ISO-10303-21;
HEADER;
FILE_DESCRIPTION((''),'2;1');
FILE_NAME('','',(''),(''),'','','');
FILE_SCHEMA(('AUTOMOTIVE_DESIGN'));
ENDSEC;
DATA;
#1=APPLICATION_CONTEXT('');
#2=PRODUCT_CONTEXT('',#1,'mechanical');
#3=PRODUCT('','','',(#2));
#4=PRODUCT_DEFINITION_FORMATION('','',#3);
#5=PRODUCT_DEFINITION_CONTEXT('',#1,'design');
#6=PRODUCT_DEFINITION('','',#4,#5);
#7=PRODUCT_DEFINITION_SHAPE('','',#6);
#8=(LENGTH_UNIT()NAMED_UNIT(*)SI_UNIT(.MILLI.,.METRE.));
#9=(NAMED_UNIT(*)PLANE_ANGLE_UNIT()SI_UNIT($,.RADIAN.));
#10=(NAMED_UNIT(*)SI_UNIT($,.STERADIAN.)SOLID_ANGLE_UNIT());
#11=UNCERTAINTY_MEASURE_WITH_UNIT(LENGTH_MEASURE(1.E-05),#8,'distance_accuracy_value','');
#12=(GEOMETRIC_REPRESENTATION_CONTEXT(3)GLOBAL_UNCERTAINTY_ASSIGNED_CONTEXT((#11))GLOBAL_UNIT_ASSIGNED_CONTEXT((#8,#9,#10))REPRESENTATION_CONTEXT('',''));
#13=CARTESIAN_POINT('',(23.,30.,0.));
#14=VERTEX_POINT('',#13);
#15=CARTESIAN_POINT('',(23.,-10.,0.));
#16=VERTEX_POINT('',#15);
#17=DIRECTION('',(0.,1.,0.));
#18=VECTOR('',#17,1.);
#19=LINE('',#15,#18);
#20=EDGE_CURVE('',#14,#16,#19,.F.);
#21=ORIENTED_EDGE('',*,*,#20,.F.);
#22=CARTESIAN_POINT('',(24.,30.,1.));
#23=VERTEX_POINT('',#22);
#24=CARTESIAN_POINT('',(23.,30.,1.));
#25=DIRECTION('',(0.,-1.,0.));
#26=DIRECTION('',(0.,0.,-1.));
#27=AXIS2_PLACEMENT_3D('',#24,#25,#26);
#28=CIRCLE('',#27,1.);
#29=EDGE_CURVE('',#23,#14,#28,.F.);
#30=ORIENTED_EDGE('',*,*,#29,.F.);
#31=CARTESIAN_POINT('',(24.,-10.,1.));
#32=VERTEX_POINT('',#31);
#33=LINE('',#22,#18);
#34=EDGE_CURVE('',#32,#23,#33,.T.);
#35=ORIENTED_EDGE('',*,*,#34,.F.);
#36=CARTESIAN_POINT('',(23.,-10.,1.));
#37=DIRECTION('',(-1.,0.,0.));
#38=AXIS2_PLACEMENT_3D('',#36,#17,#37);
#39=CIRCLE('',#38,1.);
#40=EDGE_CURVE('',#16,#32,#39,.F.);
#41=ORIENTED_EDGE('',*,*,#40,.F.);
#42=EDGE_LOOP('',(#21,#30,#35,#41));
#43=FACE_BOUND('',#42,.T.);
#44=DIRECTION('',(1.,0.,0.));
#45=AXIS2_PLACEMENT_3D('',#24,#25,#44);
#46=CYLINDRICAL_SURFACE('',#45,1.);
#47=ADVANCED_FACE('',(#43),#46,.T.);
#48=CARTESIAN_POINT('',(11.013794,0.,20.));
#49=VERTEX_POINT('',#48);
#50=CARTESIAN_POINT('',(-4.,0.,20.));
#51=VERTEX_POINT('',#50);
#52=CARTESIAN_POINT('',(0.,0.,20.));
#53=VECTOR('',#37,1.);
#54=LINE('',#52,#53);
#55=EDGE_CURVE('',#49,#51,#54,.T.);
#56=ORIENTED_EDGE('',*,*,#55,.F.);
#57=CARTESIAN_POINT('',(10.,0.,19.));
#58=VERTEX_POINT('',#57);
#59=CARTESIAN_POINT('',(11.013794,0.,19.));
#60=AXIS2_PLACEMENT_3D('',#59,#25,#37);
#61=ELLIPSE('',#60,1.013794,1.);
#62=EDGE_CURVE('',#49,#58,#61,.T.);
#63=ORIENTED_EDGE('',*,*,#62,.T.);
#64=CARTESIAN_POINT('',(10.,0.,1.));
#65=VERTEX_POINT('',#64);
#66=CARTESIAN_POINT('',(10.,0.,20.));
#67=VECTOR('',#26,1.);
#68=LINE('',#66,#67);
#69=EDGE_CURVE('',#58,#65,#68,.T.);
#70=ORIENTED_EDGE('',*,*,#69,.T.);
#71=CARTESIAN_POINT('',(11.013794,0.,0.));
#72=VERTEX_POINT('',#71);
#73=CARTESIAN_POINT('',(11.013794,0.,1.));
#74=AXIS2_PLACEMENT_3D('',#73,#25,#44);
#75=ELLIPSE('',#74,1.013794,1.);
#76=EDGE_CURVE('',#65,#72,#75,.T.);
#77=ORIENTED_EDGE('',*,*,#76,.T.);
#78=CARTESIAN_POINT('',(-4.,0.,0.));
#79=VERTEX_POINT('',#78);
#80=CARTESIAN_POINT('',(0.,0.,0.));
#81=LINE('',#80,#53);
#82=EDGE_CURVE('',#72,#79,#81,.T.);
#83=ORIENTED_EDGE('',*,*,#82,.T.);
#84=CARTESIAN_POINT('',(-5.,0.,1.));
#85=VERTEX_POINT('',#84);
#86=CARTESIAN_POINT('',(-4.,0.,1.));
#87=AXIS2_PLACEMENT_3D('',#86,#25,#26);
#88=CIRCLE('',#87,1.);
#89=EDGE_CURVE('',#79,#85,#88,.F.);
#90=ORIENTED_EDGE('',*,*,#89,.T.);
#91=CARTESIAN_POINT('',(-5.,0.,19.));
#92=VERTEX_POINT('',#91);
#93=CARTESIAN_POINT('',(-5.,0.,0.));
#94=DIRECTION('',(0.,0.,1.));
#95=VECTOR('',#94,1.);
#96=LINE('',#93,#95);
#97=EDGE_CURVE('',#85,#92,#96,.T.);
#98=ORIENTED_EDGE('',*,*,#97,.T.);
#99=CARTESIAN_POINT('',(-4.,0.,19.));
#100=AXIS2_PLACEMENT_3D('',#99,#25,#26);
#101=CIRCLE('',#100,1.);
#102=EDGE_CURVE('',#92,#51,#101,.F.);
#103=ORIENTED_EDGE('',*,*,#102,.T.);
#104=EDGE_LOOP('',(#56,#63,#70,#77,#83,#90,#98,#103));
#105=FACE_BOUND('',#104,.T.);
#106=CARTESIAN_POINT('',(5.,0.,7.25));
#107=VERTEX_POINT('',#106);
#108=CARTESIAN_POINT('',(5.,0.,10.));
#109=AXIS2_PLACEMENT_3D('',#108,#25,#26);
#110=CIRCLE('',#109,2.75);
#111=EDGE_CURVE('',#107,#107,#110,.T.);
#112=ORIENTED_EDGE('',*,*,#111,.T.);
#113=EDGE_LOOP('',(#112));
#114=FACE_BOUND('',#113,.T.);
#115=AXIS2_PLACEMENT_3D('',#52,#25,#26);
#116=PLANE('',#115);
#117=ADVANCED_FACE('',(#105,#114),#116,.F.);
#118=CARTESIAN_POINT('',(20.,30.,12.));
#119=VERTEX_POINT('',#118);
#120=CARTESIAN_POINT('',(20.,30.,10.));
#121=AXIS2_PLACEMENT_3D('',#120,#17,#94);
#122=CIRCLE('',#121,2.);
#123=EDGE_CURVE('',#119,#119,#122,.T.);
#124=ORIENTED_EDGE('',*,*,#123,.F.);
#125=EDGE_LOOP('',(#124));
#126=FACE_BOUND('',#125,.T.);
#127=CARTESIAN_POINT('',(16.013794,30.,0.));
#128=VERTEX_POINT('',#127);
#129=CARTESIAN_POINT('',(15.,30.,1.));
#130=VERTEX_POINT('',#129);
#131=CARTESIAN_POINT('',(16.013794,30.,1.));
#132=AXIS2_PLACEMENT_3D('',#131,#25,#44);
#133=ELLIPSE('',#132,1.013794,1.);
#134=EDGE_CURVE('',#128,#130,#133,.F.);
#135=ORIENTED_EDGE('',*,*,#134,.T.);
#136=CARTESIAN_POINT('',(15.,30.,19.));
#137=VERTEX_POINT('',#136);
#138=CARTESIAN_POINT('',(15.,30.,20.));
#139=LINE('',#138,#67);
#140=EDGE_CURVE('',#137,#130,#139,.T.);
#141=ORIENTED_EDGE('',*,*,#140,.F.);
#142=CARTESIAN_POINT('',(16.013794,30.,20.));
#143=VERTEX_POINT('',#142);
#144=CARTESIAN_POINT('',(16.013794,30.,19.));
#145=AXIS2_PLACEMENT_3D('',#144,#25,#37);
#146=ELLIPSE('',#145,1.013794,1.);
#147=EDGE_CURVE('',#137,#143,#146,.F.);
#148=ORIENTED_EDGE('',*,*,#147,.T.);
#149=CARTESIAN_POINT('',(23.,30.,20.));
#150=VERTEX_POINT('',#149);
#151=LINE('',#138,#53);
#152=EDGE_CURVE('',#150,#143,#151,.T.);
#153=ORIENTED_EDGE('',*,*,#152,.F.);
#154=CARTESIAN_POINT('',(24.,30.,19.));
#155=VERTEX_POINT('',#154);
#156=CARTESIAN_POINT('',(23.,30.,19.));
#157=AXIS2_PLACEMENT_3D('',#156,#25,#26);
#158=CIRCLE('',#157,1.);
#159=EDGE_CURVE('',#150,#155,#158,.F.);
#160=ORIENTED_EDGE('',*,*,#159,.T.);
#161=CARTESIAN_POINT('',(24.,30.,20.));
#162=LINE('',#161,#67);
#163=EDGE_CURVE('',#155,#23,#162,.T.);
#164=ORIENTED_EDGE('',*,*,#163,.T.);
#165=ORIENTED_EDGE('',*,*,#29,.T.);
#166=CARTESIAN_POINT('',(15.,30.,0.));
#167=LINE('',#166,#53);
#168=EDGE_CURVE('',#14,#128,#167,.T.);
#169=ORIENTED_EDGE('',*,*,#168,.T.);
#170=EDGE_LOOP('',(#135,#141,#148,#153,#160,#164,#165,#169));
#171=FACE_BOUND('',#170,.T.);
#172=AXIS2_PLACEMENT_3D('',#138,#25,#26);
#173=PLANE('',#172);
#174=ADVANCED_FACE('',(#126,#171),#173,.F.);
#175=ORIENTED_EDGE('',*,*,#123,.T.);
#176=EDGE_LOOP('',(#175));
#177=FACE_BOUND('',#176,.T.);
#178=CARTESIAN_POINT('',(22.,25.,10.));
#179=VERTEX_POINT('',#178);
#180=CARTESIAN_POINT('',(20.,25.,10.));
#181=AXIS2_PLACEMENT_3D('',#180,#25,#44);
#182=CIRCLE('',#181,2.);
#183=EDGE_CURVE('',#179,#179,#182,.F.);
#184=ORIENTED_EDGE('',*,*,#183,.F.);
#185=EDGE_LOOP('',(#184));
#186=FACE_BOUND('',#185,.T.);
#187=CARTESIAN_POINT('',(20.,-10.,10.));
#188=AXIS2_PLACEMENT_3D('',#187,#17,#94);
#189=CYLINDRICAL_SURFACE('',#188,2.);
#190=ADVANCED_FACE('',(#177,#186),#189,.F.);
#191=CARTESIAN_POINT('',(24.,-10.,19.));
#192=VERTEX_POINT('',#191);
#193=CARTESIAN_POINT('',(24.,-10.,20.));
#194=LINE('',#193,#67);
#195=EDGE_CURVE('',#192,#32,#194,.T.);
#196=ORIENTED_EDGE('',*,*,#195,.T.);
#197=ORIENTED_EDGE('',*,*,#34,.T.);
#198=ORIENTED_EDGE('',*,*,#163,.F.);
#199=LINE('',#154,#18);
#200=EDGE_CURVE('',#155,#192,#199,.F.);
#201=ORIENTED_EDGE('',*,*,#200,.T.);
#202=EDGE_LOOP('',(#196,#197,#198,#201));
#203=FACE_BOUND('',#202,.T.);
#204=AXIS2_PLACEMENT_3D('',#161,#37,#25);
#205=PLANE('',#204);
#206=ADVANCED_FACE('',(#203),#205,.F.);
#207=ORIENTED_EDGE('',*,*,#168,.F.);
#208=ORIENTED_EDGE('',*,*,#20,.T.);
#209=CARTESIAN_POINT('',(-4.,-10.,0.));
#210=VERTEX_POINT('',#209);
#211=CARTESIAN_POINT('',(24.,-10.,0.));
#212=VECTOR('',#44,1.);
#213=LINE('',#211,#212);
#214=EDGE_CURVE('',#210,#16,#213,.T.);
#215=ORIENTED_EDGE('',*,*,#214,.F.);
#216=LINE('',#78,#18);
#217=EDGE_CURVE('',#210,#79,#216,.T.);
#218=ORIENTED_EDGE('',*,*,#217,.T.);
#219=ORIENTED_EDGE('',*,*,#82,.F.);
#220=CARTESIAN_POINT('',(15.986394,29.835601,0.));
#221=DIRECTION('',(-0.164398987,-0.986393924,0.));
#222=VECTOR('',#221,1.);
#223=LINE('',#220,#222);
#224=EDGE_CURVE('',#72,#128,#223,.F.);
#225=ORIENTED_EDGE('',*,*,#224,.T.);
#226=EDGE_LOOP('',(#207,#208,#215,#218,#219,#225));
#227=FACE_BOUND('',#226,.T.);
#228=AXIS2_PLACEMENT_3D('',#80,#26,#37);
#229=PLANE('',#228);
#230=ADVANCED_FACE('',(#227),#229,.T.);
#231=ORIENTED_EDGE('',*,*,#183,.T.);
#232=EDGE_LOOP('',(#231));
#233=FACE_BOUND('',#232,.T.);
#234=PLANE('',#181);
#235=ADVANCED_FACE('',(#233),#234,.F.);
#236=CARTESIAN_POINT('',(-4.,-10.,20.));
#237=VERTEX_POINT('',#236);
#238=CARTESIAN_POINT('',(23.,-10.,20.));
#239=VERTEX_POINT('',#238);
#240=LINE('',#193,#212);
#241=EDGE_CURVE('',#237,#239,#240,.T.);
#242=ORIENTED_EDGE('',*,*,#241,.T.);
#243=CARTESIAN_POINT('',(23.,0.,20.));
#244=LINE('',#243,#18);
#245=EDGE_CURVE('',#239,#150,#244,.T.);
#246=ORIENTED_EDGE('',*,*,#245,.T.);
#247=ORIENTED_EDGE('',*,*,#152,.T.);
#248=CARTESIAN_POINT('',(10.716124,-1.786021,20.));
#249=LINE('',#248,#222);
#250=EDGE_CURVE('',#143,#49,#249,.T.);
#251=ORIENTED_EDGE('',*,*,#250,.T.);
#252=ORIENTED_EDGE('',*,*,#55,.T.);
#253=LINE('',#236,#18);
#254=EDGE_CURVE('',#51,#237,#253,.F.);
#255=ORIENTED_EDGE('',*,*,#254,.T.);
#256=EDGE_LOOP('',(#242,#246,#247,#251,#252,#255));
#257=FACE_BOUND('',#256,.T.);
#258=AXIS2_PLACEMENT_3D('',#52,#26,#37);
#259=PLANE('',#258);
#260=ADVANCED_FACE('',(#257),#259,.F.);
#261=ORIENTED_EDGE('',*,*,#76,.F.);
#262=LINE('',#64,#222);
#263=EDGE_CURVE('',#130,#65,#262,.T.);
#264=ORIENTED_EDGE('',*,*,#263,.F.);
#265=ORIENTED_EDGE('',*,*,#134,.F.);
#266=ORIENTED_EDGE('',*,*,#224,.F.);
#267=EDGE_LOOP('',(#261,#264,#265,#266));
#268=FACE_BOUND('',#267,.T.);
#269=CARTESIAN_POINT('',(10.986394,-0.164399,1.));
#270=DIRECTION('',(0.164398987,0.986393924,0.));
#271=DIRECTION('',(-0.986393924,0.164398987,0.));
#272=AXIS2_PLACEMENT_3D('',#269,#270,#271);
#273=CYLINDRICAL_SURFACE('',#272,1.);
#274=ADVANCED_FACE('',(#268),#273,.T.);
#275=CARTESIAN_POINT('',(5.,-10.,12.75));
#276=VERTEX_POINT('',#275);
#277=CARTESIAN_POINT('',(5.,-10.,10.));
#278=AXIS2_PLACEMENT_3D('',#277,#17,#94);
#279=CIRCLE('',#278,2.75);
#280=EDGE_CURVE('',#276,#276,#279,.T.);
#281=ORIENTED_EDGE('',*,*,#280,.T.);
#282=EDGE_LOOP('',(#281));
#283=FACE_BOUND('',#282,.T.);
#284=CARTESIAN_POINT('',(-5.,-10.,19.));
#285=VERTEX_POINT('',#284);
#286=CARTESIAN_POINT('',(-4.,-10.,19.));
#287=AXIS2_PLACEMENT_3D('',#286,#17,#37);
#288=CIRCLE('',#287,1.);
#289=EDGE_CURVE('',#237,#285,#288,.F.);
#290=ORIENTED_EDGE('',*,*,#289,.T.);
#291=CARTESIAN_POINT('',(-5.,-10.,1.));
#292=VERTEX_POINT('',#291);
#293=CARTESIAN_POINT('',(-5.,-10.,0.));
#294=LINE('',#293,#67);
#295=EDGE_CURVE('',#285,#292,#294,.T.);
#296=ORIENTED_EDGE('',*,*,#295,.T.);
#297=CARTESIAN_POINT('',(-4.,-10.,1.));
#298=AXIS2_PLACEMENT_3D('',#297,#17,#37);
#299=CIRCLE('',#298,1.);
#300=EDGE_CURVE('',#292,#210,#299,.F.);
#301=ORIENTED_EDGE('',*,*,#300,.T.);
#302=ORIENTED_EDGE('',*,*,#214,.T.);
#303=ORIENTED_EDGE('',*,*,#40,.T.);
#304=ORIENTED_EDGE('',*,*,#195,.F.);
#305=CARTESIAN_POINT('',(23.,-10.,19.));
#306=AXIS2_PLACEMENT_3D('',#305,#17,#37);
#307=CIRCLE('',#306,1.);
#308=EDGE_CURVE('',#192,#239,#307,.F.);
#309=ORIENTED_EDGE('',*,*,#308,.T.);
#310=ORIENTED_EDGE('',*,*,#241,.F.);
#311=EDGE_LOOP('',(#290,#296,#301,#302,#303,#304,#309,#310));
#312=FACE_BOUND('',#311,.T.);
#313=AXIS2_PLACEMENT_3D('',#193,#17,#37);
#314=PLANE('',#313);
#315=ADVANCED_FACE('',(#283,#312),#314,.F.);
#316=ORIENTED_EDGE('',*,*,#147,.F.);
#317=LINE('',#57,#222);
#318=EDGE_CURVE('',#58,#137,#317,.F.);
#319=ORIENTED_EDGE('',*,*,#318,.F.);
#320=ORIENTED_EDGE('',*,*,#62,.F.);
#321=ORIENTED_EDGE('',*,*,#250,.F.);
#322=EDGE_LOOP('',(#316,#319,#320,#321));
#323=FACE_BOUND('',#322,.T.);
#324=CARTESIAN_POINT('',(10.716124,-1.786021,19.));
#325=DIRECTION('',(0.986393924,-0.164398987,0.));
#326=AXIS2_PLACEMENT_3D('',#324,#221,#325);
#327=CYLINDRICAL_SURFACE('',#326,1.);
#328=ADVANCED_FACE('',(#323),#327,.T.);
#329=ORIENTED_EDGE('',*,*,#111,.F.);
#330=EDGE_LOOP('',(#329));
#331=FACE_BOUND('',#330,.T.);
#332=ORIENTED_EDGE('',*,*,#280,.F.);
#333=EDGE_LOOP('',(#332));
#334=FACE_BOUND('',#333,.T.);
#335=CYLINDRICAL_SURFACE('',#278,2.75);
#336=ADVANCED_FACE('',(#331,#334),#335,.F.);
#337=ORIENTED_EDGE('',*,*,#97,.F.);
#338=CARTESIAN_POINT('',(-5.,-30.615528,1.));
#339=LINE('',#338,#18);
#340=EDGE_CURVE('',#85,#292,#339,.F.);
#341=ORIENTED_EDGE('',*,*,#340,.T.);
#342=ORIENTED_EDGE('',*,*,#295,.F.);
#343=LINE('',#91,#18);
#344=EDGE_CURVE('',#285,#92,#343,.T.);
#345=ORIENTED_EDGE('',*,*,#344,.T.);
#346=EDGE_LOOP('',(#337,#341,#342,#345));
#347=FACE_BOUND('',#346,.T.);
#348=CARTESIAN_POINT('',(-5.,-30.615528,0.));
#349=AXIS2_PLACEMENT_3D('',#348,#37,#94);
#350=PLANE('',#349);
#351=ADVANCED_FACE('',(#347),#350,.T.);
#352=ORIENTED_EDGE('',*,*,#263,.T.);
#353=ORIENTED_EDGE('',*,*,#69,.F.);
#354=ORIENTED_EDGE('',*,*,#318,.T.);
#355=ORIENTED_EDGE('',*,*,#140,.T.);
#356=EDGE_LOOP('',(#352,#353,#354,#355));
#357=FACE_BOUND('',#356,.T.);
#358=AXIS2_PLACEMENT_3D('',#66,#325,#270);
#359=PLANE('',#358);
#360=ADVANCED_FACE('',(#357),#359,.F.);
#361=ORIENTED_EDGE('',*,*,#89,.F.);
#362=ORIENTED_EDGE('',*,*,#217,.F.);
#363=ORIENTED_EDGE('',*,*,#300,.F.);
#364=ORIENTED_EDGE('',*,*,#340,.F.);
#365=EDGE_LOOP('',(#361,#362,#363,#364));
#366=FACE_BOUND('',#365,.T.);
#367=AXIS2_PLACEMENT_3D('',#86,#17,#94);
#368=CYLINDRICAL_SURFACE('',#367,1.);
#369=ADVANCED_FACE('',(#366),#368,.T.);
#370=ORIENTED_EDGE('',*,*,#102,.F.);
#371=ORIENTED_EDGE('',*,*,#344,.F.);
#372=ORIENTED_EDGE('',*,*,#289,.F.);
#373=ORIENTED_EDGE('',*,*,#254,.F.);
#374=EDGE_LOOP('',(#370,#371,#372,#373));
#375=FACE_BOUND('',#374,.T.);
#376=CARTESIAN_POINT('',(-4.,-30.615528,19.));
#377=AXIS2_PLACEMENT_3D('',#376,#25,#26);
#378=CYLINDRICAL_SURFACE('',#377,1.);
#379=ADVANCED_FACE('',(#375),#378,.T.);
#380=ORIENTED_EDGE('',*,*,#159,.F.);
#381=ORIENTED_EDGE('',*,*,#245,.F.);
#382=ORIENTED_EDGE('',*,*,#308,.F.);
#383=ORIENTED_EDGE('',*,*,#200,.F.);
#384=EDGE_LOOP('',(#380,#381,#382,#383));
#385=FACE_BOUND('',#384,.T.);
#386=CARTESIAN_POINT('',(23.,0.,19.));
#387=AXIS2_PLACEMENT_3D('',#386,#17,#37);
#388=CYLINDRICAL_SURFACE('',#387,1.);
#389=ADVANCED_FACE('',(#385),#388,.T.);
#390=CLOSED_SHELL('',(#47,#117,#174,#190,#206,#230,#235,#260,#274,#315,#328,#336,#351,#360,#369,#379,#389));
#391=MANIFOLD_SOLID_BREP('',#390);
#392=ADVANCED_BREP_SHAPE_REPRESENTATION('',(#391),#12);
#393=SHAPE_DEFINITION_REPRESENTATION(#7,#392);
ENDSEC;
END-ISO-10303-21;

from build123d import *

# Parameters (mm, degrees)
EXTRUDE_1_DEPTH     = 20
SKETCH_2_R          = 2
SKETCH_2_R_2        = 2.75
CUT_EXTRUDE_1_DEPTH = 51.754310162
EXTRUDE_START       = -35
SKETCH_3_R          = 2
EXTRUDE_2_DEPTH     = 35
SKETCH_4_W          = 5
SKETCH_4_H          = 20
EXTRUDE_3_DEPTH     = 10
FILLET_2_R          = 1


with BuildPart() as part:
    # ｽｹｯﾁ1 → ﾎﾞｽ - 押し出し1 (new body)
    with BuildSketch(Plane.XY):
        Polygon((0, 0), (10, 0), (15, 30), (24, 30), (24, -10), (0, -10), align=None)
    extrude(amount=EXTRUDE_1_DEPTH)

    # ｽｹｯﾁ2 → ｶｯﾄ - 押し出し1 (cut, through all)
    with BuildSketch(Plane(origin=(0, 30, 0), x_dir=(1, 0, 0), z_dir=(0, 1, 0))):
        with Locations(Location((20, -10, 0), (0, 0, 270))):
            Circle(SKETCH_2_R)
        with Locations(Location((5, -10, 0), (0, 0, 270))):
            Circle(SKETCH_2_R_2)
    extrude(amount=-CUT_EXTRUDE_1_DEPTH, mode=Mode.SUBTRACT)

    # ｽｹｯﾁ3 → ﾎﾞｽ - 押し出し2 (add)
    with BuildSketch(Plane.XZ.offset(10).offset(EXTRUDE_START)):
        with Locations(Location((20, 10, 0), (0, 0, 90))):
            Circle(SKETCH_3_R)
    extrude(amount=EXTRUDE_2_DEPTH)

    # ｽｹｯﾁ4 → ﾎﾞｽ - 押し出し3 (add)
    with BuildSketch(Plane(origin=(0, 0, 0), x_dir=(1, 0, 0), z_dir=(0, 1, 0))):
        with Locations((-2.5, -10)):
            Rectangle(SKETCH_4_W, SKETCH_4_H)
    extrude(amount=-EXTRUDE_3_DEPTH)

    # ﾌｨﾚｯﾄ2
    fillet_2_edges = [part.edges().sort_by_distance(p)[0] for p in [
        (24, 10, 20),
        (12.5, 15, 20),
        (-5, -5, 20),
        (-5, -5, 0),
        (12.5, 15, 0),
        (24, 10, 0),
    ]]
    fillet(fillet_2_edges, radius=FILLET_2_R)


solid = part.part
